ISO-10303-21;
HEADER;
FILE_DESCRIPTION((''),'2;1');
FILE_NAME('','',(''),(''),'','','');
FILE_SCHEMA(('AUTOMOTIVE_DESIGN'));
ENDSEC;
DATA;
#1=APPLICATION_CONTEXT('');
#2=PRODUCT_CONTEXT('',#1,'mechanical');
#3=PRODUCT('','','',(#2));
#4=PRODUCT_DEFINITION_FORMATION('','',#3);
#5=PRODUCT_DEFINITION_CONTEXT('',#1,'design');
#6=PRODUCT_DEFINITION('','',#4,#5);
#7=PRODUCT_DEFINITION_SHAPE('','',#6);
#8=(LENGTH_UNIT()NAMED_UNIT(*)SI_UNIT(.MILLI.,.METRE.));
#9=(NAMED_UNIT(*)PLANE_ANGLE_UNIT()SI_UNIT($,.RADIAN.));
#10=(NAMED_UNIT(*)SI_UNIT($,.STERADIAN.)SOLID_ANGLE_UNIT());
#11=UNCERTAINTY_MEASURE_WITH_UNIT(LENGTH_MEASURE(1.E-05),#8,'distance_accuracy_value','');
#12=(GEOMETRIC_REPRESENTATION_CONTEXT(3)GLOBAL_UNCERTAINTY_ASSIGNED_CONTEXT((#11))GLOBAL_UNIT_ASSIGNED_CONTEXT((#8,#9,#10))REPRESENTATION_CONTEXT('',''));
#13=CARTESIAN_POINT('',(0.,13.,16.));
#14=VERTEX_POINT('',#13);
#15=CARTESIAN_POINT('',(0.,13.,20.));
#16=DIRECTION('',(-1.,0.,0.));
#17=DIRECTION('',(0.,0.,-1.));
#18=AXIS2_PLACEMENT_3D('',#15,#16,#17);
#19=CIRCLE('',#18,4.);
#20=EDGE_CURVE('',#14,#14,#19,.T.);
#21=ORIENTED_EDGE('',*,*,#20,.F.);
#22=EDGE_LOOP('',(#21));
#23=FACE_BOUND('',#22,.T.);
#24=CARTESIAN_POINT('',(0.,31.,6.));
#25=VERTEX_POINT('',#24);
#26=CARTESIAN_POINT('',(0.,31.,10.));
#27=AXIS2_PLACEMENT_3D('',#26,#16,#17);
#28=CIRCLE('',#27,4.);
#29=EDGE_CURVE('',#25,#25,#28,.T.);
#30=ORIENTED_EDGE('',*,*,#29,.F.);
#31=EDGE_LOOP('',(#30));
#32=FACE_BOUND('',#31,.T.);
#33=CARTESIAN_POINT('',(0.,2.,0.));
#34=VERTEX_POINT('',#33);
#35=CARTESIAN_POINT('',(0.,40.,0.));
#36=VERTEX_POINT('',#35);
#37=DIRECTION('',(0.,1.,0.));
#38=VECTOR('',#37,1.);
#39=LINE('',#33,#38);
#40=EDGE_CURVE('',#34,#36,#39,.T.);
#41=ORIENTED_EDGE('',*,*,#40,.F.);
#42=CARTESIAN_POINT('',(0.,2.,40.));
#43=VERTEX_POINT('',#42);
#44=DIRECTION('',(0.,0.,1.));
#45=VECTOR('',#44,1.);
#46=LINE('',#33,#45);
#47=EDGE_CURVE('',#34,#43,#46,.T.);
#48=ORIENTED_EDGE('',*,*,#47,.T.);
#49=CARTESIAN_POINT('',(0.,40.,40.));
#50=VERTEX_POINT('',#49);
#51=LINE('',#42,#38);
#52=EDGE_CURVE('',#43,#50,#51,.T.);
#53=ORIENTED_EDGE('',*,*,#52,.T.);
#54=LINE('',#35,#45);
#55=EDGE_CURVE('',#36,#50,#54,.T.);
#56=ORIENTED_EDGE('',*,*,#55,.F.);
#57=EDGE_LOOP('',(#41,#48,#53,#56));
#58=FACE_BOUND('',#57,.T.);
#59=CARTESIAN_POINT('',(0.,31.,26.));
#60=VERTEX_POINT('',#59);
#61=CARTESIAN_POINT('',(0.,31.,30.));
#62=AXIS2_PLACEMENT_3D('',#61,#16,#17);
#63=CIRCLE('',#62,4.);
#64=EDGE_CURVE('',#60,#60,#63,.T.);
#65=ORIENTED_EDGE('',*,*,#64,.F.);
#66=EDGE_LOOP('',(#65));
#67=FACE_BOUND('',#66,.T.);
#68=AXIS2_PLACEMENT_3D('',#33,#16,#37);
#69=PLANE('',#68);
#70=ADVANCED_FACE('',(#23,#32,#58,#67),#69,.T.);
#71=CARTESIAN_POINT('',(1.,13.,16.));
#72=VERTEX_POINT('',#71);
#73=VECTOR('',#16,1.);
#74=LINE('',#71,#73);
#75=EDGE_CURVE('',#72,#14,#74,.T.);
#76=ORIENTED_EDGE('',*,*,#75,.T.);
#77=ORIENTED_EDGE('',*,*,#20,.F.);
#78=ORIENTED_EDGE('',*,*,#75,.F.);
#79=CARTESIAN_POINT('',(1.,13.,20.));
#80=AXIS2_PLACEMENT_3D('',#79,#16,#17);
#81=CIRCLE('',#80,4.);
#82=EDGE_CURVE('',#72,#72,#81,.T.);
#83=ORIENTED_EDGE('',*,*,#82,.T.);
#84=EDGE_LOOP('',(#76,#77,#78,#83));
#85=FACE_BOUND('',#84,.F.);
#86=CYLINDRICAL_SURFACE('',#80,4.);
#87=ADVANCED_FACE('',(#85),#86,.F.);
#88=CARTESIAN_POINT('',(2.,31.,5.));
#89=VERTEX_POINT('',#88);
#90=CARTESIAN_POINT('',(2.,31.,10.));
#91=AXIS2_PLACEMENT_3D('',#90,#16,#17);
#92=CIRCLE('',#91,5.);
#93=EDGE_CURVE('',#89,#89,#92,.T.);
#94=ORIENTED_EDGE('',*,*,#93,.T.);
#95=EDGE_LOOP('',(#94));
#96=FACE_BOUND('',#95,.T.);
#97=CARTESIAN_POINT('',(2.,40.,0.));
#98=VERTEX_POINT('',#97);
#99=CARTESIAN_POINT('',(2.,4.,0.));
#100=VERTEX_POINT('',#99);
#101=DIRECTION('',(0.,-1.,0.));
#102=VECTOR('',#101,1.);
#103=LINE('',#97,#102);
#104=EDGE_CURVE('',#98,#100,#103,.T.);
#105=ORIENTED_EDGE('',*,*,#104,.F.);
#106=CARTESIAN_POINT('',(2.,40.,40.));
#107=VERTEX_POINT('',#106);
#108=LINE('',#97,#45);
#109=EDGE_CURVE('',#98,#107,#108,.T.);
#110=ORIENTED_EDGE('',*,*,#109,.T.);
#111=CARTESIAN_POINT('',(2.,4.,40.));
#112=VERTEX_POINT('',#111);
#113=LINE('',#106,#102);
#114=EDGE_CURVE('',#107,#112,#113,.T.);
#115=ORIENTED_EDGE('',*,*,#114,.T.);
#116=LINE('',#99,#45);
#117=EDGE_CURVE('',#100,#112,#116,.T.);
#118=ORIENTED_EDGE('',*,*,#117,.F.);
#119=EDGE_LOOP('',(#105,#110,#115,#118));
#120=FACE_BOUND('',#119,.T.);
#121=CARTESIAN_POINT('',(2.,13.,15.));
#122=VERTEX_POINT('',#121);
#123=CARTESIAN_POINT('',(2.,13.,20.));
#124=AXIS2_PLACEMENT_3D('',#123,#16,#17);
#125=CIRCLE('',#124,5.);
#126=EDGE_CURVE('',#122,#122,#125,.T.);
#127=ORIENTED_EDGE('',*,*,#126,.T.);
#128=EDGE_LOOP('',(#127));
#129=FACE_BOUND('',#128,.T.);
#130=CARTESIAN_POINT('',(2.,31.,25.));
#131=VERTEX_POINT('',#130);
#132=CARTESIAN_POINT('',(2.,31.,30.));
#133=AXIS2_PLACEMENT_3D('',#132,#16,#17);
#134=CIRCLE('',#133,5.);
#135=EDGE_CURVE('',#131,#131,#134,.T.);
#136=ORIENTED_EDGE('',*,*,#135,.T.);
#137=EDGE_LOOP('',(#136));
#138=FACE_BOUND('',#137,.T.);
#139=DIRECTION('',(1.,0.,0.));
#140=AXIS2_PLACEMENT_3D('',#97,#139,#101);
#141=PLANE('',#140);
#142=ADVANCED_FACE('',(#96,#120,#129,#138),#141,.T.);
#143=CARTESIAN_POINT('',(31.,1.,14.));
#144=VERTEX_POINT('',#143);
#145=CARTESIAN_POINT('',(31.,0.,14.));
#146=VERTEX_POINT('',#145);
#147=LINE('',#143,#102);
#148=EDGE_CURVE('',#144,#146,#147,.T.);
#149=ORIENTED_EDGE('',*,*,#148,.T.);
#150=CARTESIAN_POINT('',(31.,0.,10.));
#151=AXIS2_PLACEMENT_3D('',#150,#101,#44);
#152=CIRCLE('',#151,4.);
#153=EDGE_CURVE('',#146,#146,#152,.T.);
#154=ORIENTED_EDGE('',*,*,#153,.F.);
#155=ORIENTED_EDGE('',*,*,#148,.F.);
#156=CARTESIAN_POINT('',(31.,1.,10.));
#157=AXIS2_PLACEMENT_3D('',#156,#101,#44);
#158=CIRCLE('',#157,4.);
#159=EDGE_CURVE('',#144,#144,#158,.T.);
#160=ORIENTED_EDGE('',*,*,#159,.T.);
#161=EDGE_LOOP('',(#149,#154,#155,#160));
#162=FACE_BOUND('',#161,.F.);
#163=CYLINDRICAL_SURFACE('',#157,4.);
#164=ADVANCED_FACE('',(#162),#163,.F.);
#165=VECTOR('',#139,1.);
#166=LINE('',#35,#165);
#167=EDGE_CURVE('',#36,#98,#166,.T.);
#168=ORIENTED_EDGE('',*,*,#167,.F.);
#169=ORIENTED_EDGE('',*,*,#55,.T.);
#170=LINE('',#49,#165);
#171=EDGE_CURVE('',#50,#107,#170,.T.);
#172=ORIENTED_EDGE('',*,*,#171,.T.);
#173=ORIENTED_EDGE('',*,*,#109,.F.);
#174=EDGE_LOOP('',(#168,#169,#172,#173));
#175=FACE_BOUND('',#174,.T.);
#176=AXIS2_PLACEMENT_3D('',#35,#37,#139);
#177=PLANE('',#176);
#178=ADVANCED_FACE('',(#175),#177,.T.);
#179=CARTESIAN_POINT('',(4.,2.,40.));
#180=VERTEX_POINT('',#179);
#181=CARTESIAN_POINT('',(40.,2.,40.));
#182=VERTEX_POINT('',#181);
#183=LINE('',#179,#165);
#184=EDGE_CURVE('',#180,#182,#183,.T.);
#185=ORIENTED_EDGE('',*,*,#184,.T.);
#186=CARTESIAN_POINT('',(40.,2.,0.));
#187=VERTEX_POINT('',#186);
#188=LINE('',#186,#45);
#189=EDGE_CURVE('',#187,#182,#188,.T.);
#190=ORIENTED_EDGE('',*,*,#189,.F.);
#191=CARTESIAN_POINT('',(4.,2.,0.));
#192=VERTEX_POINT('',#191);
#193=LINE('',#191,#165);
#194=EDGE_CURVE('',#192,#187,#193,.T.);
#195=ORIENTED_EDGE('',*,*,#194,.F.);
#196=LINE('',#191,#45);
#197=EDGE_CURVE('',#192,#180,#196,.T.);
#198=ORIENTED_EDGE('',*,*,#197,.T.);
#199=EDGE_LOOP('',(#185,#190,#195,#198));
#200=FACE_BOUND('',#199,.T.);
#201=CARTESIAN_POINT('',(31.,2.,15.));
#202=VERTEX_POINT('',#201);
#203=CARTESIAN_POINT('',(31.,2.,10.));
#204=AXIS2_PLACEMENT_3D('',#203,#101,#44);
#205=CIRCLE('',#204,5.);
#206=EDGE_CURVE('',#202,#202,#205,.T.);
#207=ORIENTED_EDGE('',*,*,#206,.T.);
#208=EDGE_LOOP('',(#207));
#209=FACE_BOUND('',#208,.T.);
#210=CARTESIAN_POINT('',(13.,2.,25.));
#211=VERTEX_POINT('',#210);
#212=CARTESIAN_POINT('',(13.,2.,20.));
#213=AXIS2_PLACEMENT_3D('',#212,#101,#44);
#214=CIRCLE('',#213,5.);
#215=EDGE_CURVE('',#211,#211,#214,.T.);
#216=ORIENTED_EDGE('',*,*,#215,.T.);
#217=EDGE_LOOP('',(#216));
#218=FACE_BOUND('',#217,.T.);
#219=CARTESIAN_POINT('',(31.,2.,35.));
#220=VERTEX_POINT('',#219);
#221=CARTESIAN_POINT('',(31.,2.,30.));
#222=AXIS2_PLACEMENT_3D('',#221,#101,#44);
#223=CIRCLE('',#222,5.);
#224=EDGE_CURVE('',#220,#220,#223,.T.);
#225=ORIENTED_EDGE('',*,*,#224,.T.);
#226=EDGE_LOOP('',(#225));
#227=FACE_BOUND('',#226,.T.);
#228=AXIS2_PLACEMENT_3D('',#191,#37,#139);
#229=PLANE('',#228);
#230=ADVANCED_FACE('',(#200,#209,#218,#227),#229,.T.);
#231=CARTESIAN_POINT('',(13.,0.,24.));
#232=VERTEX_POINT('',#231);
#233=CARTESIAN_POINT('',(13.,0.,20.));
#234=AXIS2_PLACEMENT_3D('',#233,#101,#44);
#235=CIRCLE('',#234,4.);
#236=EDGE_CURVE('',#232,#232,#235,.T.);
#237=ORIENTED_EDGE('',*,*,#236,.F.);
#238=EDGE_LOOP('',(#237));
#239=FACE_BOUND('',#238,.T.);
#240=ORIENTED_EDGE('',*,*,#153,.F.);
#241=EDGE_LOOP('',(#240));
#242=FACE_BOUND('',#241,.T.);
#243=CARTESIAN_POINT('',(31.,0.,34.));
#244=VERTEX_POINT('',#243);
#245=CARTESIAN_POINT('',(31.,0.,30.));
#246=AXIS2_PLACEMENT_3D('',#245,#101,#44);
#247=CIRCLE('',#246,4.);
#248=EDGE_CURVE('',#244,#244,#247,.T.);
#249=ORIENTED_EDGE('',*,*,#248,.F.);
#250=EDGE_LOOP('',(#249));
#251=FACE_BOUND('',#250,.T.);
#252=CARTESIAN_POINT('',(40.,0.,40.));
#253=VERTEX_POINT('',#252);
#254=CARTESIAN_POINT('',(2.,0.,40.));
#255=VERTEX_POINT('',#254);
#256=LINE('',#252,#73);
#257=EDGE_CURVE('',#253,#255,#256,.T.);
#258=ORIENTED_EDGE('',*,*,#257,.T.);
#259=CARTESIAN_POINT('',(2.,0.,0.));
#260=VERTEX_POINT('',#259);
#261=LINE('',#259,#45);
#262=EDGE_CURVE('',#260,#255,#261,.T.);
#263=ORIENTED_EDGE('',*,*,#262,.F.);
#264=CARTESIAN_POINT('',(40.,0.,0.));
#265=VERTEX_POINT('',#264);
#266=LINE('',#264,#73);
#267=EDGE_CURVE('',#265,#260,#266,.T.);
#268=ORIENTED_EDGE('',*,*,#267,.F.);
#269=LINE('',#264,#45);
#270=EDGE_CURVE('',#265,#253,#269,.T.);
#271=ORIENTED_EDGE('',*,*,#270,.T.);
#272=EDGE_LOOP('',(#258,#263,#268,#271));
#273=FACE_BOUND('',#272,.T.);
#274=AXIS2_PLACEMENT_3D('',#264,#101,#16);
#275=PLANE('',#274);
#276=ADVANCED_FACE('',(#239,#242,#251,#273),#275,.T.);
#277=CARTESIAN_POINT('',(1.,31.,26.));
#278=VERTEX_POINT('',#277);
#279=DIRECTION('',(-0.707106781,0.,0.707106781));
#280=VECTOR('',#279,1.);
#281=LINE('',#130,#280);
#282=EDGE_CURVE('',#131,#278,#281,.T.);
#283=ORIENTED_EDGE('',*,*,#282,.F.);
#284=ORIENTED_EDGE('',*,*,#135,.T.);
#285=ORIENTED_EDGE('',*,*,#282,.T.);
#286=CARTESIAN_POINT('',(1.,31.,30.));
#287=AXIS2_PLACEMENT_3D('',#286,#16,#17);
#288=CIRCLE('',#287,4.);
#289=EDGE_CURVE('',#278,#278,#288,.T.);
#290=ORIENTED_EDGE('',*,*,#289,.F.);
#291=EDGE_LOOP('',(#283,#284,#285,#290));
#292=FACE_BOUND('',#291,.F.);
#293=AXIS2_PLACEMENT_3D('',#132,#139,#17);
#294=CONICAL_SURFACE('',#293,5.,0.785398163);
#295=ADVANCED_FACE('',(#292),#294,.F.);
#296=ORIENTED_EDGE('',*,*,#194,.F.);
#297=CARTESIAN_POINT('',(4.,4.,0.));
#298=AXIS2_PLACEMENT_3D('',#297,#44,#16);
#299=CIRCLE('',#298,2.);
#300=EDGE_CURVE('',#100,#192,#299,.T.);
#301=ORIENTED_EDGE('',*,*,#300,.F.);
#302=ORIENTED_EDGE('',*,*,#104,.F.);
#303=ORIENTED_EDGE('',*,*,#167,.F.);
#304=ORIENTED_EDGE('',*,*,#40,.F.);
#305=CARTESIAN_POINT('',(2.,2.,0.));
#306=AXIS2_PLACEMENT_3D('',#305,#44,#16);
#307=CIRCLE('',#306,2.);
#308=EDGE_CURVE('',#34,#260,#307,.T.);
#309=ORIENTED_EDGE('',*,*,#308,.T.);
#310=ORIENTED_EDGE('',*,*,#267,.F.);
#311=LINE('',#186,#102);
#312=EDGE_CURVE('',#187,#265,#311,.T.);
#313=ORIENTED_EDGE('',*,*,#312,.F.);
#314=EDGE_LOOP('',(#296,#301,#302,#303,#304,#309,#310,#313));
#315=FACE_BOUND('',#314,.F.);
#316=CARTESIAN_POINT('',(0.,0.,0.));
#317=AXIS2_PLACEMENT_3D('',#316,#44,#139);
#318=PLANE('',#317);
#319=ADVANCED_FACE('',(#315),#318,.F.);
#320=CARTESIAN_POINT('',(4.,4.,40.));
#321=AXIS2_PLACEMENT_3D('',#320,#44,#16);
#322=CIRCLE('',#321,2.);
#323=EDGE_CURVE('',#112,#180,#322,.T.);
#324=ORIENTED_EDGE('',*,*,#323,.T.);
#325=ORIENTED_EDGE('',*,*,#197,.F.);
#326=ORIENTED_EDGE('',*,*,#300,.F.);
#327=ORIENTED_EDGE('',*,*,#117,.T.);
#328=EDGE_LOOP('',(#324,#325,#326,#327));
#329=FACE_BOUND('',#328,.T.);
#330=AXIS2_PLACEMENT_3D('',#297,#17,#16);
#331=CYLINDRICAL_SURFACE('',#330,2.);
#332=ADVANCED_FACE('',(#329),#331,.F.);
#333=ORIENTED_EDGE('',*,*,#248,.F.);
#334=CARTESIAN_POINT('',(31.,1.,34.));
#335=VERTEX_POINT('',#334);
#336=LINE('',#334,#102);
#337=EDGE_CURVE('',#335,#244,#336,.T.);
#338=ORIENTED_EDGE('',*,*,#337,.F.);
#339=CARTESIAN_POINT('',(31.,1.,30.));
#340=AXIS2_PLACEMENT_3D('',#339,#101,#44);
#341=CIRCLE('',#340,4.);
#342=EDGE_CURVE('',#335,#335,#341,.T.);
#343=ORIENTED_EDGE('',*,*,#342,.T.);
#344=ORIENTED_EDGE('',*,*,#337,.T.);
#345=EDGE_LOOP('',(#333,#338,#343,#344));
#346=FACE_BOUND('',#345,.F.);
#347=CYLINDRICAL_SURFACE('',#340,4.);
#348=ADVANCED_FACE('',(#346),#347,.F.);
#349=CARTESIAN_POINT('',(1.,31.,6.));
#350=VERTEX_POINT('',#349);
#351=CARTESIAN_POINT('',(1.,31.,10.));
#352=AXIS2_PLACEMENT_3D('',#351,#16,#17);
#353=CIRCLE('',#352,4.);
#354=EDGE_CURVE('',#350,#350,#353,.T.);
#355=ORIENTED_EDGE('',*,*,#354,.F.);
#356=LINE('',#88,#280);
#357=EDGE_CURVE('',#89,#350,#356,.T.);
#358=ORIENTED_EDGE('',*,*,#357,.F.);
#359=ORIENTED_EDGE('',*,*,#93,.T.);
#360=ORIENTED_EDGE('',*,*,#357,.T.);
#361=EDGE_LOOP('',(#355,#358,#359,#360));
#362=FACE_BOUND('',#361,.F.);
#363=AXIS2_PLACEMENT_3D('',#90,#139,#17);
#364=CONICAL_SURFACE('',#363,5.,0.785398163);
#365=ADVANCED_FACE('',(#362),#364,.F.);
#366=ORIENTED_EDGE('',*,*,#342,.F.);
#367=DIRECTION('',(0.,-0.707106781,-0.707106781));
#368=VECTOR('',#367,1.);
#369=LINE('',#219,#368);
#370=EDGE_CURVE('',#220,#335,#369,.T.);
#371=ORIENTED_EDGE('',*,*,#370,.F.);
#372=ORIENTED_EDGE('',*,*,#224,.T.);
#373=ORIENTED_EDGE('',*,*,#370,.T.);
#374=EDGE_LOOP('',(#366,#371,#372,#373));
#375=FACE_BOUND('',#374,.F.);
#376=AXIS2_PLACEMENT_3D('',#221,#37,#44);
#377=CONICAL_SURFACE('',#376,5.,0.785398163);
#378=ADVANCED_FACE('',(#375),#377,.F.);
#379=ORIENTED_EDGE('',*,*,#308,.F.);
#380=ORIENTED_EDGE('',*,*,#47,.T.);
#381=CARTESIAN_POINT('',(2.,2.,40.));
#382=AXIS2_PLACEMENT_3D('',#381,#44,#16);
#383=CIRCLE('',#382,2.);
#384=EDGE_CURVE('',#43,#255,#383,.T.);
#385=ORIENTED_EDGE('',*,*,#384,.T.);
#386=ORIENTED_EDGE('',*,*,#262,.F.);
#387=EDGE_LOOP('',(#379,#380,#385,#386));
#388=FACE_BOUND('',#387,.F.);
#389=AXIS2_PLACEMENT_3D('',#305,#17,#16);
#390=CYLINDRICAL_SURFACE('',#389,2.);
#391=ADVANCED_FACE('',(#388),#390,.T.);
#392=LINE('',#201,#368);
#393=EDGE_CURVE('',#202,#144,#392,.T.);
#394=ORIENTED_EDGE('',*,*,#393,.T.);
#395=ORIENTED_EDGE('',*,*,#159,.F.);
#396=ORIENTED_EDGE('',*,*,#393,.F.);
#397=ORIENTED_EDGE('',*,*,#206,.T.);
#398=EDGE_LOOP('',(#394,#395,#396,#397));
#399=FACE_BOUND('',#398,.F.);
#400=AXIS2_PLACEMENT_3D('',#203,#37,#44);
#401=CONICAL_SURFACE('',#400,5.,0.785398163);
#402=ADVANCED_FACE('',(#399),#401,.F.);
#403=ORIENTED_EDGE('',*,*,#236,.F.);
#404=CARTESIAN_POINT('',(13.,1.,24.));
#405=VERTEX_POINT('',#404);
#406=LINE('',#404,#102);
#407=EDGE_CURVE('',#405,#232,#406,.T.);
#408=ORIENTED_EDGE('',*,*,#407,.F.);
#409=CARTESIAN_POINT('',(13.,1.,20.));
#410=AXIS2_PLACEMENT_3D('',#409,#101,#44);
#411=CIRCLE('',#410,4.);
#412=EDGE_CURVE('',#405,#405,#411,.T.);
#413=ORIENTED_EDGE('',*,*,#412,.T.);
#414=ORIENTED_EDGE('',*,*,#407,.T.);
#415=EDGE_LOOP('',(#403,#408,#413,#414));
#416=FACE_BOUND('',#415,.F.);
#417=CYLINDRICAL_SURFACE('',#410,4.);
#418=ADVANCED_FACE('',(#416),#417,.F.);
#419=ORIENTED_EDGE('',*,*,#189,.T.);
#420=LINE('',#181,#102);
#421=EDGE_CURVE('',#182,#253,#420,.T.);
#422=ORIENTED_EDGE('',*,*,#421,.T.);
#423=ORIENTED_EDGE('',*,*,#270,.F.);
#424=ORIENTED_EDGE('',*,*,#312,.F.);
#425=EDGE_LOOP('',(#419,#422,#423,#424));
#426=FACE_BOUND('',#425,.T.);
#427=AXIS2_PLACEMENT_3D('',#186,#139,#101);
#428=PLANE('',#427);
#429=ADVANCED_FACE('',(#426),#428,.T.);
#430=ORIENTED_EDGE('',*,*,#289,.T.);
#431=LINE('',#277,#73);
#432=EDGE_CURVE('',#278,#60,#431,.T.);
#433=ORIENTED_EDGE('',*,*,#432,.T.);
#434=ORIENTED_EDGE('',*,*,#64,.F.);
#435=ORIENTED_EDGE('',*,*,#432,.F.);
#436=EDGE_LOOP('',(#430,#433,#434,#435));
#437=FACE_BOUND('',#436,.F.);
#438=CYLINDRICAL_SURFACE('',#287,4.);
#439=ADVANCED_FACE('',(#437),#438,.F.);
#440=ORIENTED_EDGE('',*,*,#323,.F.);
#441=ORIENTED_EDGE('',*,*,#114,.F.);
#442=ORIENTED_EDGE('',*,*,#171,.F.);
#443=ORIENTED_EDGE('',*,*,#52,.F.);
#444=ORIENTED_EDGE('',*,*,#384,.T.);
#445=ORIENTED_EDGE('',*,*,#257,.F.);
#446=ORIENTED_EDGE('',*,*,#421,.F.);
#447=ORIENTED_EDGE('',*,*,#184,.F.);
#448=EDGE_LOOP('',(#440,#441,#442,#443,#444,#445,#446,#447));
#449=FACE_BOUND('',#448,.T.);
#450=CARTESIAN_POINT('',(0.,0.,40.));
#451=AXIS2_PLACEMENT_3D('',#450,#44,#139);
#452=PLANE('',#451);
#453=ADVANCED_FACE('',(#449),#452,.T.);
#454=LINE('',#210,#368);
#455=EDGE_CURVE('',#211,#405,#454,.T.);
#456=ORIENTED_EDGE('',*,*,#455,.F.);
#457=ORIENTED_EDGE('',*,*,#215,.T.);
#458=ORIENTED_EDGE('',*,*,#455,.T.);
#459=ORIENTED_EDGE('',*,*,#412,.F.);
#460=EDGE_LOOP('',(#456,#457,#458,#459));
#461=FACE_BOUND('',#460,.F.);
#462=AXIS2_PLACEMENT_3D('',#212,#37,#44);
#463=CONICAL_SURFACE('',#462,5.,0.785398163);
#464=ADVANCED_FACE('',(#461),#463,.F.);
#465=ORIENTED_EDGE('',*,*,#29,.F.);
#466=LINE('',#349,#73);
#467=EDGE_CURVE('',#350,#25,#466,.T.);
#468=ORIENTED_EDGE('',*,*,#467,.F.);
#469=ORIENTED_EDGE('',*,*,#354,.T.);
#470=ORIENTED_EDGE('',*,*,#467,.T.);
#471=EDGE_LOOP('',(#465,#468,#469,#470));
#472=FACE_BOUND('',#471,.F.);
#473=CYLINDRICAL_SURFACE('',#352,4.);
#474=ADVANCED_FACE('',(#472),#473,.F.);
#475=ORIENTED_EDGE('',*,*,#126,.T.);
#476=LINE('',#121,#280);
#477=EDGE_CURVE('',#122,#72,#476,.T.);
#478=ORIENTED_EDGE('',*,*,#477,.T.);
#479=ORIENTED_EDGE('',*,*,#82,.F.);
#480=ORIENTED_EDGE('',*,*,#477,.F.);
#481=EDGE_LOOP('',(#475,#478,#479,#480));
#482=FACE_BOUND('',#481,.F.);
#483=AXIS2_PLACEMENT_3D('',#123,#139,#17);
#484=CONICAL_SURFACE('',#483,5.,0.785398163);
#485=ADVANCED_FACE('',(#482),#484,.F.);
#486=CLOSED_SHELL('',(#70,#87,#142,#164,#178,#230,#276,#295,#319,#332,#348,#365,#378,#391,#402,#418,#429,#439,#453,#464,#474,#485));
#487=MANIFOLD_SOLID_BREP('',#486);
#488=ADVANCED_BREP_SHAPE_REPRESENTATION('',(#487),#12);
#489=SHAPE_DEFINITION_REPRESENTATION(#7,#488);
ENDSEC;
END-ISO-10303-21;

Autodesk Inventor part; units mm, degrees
ref_plane "YZ Plane" through (0, 0, 0) normal (1, 0, 0) x (0, 1, 0)
ref_plane "XZ Plane" through (0, 0, 0) normal (0, 1, 0) x (-1, 0, 0)
ref_plane "XY Plane" through (0, 0, 0) normal (0, 0, 1) x (1, 0, 0)
sketch "Szkic1" plane through (0, 0, 0) normal (0, 0, 1) x (1, 0, 0)
  line L0 (0, 2) -> (0, 40)
  line L1 (0, 40) -> (2, 40)
  line L2 (2, 40) -> (2, 4)
  line L3 (4, 2) -> (40, 2)
  line L4 (40, 2) -> (40, 0)
  line L5 (40, 0) -> (2, 0)
  arc A0 (0, 2) -> (2, 0) centre (2, 2) ccw
  arc A1 (2, 4) -> (4, 2) centre (4, 4) ccw
  point P0 (0, 0)
  point P1 (2, 2)
  dimension "d0" = 40
  dimension "d1" = 2
  dimension "d2" = 38
  dimension "d3" = 38
  dimension "d4" = 2
extrude "Wyciągnięcie proste1" add sketch "Szkic1" along normal blind 40
sketch "Szkic2" plane through (2, 4, 0) normal (1, 0, 0) x (0, 0, -1)
  line L0 (0, 0) -> (-40, 0) projected
  line L1 (-20, 0) -> (-20, 36)
  line L2 (0, 36) -> (-40, 36) projected
  line L3 (-20, 18) -> (-40, 18)
  line L4 (-40, 0) -> (-40, 36) projected
  line L5 (-20, 18) -> (0, 18)
  line L6 (-40, 18) -> (-40, 27)
  line L7 (-40, 27) -> (-30, 27)
  line L8 (0, 0) -> (0, 36) projected
  line L9 (0, 27) -> (-10, 27)
  line L10 (-20, 18) -> (-20, 9)
  point P0 (0, -4)
  dimension "d13" = 9
  dimension "d14" = 30
  dimension "d16" = 9
  dimension "d17" = 20
  dimension "d18" = 9
sketch "Szkic3" plane through (4, 2, 0) normal (0, 1, 0) x (1, 0, 0)
  line L0 (0, 0) -> (0, -40) projected
  line L1 (0, -40) -> (0, -20)
  line L2 (0, -20) -> (9, -20)
  line L3 (36, -40) -> (0, -40) projected
  line L4 (18, -40) -> (18, 0)
  line L5 (36, 0) -> (0, 0) projected
  line L6 (18, -20) -> (36, -20)
  line L7 (36, 0) -> (36, -40) projected
  line L8 (27, -20) -> (27, -30)
  line L9 (27, -20) -> (27, -10)
  point P0 (-4, 0)
  dimension "d19" = 9
  dimension "d20" = 10
  dimension "d21" = 10
hole "Otwór1" at (2, 31, 30) at (2, 31, 10) at (2, 13, 20) direction (-1, 0, 0) diameter 8 end through all countersink diameter 10 countersink angle 90
hole "Otwór2" at (13, 2, 20) at (31, 2, 30) at (31, 2, 10) direction (0, -1, 0) diameter 8 end through all countersink diameter 10 countersink angle 90
properties part number "katownik_lacznikowy_40_40_40"
